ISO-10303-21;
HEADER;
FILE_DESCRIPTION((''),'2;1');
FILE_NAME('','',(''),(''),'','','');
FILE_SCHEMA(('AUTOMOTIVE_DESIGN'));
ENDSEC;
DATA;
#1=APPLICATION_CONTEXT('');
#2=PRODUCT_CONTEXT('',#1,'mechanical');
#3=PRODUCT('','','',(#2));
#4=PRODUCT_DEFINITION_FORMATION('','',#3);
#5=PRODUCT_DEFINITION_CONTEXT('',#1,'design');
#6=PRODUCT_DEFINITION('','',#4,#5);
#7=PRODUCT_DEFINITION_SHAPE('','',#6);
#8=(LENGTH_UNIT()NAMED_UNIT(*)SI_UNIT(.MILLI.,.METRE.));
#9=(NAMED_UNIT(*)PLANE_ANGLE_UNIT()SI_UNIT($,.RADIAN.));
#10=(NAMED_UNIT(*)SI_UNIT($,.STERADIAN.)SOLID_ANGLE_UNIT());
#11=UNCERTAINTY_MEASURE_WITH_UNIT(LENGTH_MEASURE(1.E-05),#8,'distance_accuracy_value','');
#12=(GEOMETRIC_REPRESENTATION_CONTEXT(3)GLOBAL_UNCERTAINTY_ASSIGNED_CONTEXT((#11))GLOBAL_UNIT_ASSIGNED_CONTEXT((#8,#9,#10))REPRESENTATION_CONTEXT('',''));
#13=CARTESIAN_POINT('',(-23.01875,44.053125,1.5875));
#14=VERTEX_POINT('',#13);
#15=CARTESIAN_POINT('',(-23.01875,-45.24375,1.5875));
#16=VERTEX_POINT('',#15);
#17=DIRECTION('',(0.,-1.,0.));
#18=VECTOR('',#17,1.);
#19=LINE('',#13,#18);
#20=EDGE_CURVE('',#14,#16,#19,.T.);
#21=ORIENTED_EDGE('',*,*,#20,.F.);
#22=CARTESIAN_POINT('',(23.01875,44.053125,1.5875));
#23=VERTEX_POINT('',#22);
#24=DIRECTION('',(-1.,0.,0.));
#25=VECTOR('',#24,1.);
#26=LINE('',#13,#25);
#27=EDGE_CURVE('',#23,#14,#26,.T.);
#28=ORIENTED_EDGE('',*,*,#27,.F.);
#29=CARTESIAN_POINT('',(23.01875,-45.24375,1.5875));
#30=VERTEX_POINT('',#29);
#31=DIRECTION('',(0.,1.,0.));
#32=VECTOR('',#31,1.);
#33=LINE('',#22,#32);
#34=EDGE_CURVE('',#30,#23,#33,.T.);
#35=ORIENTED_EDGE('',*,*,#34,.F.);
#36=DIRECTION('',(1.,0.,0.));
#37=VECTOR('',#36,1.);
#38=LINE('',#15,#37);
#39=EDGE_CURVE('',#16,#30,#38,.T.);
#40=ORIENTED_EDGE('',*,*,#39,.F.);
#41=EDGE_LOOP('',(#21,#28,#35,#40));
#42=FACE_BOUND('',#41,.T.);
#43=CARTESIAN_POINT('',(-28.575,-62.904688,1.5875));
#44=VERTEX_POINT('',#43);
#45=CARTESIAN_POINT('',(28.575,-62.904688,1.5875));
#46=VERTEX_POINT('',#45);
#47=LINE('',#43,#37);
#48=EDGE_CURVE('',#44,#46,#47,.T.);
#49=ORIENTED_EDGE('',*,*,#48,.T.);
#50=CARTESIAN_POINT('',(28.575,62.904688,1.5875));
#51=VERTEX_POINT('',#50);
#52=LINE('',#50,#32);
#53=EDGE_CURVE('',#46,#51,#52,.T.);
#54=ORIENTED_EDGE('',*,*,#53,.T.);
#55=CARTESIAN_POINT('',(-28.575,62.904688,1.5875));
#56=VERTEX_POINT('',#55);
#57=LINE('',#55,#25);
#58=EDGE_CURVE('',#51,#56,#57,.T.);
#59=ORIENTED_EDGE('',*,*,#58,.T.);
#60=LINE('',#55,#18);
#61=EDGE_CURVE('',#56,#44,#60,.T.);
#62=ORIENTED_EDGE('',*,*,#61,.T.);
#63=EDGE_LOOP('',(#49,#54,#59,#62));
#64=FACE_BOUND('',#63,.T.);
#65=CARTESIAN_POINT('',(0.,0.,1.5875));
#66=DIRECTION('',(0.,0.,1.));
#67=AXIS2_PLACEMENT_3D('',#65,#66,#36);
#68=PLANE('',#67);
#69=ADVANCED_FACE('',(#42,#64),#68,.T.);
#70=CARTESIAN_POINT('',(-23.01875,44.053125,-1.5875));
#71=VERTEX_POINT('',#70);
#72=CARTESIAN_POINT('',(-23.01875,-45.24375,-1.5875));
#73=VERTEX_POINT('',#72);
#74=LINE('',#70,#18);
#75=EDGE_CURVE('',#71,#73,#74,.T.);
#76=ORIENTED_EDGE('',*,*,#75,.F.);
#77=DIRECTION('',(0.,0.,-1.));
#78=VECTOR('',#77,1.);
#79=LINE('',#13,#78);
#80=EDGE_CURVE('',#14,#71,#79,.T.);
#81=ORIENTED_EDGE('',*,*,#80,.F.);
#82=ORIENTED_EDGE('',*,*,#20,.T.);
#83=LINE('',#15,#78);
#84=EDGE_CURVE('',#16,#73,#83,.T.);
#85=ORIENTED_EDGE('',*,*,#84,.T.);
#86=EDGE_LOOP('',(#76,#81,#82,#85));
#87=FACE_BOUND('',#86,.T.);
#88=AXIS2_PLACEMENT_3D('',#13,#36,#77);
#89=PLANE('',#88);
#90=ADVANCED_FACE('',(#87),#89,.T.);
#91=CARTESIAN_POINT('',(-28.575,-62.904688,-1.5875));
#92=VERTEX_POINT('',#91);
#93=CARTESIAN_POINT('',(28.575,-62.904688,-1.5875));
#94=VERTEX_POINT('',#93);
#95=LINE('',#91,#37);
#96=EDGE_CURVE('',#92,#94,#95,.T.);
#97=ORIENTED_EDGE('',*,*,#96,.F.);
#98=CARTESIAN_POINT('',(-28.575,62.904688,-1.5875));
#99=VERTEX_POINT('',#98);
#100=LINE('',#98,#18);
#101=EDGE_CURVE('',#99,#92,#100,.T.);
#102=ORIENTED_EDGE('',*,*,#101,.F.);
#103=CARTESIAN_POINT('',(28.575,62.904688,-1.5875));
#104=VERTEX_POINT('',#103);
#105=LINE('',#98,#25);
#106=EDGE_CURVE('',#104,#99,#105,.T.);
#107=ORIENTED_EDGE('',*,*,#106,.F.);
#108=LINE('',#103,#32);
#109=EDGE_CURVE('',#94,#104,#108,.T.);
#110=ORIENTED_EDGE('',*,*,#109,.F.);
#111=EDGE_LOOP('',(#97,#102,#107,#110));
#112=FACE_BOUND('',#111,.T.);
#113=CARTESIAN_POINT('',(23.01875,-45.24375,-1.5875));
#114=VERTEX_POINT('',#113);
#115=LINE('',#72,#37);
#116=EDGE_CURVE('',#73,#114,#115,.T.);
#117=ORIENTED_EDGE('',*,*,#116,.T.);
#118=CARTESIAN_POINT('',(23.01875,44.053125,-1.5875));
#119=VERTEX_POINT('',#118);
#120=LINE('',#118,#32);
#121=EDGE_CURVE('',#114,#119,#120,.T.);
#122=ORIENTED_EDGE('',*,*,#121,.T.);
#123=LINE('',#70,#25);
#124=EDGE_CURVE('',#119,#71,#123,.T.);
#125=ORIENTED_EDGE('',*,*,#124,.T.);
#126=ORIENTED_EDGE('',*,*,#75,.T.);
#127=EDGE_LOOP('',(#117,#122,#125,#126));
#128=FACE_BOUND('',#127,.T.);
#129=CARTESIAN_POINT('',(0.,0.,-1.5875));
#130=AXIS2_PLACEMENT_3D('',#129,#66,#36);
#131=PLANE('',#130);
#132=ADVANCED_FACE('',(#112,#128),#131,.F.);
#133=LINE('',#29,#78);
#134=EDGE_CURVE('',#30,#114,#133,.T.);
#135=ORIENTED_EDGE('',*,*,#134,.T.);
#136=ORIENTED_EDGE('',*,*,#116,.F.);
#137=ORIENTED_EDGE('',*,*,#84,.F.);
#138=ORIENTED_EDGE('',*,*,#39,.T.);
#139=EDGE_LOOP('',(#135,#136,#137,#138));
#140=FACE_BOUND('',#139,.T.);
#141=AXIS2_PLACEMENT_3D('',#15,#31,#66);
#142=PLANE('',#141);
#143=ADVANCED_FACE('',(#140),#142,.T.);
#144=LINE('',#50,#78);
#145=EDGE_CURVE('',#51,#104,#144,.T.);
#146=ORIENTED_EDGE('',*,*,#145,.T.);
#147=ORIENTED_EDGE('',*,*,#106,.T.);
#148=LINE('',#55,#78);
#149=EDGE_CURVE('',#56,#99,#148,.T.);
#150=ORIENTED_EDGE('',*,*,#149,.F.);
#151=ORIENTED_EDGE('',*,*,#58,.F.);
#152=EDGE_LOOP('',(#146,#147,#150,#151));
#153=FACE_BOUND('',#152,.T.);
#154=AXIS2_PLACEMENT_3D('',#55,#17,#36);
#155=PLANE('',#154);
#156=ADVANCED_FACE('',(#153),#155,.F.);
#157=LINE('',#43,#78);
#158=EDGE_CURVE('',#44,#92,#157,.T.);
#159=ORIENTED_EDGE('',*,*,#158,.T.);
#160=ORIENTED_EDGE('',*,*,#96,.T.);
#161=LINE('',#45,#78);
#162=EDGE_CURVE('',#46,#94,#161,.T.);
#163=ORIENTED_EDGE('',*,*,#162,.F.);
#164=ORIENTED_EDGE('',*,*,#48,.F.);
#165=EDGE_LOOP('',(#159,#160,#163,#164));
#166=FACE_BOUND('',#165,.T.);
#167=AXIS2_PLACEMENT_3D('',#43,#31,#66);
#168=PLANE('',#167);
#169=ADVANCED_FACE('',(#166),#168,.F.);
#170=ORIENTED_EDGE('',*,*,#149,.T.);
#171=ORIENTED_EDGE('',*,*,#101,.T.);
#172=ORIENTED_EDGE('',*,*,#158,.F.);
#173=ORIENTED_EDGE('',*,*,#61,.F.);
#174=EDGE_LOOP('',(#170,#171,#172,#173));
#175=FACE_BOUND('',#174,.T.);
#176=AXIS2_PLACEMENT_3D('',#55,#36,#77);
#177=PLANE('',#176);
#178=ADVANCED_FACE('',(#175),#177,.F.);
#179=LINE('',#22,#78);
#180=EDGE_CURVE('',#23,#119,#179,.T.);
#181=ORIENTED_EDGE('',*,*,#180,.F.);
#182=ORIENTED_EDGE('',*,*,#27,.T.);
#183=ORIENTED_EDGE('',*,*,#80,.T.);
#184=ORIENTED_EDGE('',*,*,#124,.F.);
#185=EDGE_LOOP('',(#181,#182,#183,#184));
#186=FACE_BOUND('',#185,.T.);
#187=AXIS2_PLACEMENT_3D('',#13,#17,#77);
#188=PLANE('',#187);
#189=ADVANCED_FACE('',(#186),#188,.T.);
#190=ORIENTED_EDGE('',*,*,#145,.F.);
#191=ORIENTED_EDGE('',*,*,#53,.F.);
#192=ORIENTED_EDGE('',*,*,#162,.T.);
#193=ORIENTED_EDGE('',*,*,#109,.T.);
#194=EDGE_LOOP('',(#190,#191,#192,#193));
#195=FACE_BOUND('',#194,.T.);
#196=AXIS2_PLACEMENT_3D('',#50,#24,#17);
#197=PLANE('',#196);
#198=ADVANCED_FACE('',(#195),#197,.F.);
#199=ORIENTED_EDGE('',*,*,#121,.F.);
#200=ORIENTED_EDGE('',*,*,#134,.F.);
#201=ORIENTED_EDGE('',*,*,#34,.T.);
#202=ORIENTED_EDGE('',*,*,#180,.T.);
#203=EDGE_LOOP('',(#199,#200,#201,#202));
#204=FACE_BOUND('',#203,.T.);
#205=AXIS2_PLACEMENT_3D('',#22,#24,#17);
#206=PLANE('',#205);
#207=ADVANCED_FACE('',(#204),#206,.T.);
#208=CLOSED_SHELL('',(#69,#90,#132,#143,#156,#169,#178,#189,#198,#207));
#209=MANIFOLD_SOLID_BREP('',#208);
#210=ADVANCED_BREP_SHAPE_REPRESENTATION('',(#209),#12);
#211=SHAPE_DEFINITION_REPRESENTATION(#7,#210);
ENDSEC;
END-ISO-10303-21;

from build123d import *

# Parameters (mm, degrees)
SKETCH1_W           = 57.15
SKETCH1_H           = 125.809375
SKETCH1_W_2         = 46.0375
SKETCH1_H_2         = 89.296875
BOSS_EXTRUDE1_DEPTH = 1.5875


with BuildPart() as part:
    # Sketch1 → Boss-Extrude1 (new, symmetric)
    with BuildSketch(Plane.XY):
        Rectangle(SKETCH1_W, SKETCH1_H)
        with Locations((0, -0.5953125)):
            Rectangle(SKETCH1_W_2, SKETCH1_H_2, mode=Mode.SUBTRACT)
    extrude(amount=BOSS_EXTRUDE1_DEPTH, both=True)


solid = part.part
